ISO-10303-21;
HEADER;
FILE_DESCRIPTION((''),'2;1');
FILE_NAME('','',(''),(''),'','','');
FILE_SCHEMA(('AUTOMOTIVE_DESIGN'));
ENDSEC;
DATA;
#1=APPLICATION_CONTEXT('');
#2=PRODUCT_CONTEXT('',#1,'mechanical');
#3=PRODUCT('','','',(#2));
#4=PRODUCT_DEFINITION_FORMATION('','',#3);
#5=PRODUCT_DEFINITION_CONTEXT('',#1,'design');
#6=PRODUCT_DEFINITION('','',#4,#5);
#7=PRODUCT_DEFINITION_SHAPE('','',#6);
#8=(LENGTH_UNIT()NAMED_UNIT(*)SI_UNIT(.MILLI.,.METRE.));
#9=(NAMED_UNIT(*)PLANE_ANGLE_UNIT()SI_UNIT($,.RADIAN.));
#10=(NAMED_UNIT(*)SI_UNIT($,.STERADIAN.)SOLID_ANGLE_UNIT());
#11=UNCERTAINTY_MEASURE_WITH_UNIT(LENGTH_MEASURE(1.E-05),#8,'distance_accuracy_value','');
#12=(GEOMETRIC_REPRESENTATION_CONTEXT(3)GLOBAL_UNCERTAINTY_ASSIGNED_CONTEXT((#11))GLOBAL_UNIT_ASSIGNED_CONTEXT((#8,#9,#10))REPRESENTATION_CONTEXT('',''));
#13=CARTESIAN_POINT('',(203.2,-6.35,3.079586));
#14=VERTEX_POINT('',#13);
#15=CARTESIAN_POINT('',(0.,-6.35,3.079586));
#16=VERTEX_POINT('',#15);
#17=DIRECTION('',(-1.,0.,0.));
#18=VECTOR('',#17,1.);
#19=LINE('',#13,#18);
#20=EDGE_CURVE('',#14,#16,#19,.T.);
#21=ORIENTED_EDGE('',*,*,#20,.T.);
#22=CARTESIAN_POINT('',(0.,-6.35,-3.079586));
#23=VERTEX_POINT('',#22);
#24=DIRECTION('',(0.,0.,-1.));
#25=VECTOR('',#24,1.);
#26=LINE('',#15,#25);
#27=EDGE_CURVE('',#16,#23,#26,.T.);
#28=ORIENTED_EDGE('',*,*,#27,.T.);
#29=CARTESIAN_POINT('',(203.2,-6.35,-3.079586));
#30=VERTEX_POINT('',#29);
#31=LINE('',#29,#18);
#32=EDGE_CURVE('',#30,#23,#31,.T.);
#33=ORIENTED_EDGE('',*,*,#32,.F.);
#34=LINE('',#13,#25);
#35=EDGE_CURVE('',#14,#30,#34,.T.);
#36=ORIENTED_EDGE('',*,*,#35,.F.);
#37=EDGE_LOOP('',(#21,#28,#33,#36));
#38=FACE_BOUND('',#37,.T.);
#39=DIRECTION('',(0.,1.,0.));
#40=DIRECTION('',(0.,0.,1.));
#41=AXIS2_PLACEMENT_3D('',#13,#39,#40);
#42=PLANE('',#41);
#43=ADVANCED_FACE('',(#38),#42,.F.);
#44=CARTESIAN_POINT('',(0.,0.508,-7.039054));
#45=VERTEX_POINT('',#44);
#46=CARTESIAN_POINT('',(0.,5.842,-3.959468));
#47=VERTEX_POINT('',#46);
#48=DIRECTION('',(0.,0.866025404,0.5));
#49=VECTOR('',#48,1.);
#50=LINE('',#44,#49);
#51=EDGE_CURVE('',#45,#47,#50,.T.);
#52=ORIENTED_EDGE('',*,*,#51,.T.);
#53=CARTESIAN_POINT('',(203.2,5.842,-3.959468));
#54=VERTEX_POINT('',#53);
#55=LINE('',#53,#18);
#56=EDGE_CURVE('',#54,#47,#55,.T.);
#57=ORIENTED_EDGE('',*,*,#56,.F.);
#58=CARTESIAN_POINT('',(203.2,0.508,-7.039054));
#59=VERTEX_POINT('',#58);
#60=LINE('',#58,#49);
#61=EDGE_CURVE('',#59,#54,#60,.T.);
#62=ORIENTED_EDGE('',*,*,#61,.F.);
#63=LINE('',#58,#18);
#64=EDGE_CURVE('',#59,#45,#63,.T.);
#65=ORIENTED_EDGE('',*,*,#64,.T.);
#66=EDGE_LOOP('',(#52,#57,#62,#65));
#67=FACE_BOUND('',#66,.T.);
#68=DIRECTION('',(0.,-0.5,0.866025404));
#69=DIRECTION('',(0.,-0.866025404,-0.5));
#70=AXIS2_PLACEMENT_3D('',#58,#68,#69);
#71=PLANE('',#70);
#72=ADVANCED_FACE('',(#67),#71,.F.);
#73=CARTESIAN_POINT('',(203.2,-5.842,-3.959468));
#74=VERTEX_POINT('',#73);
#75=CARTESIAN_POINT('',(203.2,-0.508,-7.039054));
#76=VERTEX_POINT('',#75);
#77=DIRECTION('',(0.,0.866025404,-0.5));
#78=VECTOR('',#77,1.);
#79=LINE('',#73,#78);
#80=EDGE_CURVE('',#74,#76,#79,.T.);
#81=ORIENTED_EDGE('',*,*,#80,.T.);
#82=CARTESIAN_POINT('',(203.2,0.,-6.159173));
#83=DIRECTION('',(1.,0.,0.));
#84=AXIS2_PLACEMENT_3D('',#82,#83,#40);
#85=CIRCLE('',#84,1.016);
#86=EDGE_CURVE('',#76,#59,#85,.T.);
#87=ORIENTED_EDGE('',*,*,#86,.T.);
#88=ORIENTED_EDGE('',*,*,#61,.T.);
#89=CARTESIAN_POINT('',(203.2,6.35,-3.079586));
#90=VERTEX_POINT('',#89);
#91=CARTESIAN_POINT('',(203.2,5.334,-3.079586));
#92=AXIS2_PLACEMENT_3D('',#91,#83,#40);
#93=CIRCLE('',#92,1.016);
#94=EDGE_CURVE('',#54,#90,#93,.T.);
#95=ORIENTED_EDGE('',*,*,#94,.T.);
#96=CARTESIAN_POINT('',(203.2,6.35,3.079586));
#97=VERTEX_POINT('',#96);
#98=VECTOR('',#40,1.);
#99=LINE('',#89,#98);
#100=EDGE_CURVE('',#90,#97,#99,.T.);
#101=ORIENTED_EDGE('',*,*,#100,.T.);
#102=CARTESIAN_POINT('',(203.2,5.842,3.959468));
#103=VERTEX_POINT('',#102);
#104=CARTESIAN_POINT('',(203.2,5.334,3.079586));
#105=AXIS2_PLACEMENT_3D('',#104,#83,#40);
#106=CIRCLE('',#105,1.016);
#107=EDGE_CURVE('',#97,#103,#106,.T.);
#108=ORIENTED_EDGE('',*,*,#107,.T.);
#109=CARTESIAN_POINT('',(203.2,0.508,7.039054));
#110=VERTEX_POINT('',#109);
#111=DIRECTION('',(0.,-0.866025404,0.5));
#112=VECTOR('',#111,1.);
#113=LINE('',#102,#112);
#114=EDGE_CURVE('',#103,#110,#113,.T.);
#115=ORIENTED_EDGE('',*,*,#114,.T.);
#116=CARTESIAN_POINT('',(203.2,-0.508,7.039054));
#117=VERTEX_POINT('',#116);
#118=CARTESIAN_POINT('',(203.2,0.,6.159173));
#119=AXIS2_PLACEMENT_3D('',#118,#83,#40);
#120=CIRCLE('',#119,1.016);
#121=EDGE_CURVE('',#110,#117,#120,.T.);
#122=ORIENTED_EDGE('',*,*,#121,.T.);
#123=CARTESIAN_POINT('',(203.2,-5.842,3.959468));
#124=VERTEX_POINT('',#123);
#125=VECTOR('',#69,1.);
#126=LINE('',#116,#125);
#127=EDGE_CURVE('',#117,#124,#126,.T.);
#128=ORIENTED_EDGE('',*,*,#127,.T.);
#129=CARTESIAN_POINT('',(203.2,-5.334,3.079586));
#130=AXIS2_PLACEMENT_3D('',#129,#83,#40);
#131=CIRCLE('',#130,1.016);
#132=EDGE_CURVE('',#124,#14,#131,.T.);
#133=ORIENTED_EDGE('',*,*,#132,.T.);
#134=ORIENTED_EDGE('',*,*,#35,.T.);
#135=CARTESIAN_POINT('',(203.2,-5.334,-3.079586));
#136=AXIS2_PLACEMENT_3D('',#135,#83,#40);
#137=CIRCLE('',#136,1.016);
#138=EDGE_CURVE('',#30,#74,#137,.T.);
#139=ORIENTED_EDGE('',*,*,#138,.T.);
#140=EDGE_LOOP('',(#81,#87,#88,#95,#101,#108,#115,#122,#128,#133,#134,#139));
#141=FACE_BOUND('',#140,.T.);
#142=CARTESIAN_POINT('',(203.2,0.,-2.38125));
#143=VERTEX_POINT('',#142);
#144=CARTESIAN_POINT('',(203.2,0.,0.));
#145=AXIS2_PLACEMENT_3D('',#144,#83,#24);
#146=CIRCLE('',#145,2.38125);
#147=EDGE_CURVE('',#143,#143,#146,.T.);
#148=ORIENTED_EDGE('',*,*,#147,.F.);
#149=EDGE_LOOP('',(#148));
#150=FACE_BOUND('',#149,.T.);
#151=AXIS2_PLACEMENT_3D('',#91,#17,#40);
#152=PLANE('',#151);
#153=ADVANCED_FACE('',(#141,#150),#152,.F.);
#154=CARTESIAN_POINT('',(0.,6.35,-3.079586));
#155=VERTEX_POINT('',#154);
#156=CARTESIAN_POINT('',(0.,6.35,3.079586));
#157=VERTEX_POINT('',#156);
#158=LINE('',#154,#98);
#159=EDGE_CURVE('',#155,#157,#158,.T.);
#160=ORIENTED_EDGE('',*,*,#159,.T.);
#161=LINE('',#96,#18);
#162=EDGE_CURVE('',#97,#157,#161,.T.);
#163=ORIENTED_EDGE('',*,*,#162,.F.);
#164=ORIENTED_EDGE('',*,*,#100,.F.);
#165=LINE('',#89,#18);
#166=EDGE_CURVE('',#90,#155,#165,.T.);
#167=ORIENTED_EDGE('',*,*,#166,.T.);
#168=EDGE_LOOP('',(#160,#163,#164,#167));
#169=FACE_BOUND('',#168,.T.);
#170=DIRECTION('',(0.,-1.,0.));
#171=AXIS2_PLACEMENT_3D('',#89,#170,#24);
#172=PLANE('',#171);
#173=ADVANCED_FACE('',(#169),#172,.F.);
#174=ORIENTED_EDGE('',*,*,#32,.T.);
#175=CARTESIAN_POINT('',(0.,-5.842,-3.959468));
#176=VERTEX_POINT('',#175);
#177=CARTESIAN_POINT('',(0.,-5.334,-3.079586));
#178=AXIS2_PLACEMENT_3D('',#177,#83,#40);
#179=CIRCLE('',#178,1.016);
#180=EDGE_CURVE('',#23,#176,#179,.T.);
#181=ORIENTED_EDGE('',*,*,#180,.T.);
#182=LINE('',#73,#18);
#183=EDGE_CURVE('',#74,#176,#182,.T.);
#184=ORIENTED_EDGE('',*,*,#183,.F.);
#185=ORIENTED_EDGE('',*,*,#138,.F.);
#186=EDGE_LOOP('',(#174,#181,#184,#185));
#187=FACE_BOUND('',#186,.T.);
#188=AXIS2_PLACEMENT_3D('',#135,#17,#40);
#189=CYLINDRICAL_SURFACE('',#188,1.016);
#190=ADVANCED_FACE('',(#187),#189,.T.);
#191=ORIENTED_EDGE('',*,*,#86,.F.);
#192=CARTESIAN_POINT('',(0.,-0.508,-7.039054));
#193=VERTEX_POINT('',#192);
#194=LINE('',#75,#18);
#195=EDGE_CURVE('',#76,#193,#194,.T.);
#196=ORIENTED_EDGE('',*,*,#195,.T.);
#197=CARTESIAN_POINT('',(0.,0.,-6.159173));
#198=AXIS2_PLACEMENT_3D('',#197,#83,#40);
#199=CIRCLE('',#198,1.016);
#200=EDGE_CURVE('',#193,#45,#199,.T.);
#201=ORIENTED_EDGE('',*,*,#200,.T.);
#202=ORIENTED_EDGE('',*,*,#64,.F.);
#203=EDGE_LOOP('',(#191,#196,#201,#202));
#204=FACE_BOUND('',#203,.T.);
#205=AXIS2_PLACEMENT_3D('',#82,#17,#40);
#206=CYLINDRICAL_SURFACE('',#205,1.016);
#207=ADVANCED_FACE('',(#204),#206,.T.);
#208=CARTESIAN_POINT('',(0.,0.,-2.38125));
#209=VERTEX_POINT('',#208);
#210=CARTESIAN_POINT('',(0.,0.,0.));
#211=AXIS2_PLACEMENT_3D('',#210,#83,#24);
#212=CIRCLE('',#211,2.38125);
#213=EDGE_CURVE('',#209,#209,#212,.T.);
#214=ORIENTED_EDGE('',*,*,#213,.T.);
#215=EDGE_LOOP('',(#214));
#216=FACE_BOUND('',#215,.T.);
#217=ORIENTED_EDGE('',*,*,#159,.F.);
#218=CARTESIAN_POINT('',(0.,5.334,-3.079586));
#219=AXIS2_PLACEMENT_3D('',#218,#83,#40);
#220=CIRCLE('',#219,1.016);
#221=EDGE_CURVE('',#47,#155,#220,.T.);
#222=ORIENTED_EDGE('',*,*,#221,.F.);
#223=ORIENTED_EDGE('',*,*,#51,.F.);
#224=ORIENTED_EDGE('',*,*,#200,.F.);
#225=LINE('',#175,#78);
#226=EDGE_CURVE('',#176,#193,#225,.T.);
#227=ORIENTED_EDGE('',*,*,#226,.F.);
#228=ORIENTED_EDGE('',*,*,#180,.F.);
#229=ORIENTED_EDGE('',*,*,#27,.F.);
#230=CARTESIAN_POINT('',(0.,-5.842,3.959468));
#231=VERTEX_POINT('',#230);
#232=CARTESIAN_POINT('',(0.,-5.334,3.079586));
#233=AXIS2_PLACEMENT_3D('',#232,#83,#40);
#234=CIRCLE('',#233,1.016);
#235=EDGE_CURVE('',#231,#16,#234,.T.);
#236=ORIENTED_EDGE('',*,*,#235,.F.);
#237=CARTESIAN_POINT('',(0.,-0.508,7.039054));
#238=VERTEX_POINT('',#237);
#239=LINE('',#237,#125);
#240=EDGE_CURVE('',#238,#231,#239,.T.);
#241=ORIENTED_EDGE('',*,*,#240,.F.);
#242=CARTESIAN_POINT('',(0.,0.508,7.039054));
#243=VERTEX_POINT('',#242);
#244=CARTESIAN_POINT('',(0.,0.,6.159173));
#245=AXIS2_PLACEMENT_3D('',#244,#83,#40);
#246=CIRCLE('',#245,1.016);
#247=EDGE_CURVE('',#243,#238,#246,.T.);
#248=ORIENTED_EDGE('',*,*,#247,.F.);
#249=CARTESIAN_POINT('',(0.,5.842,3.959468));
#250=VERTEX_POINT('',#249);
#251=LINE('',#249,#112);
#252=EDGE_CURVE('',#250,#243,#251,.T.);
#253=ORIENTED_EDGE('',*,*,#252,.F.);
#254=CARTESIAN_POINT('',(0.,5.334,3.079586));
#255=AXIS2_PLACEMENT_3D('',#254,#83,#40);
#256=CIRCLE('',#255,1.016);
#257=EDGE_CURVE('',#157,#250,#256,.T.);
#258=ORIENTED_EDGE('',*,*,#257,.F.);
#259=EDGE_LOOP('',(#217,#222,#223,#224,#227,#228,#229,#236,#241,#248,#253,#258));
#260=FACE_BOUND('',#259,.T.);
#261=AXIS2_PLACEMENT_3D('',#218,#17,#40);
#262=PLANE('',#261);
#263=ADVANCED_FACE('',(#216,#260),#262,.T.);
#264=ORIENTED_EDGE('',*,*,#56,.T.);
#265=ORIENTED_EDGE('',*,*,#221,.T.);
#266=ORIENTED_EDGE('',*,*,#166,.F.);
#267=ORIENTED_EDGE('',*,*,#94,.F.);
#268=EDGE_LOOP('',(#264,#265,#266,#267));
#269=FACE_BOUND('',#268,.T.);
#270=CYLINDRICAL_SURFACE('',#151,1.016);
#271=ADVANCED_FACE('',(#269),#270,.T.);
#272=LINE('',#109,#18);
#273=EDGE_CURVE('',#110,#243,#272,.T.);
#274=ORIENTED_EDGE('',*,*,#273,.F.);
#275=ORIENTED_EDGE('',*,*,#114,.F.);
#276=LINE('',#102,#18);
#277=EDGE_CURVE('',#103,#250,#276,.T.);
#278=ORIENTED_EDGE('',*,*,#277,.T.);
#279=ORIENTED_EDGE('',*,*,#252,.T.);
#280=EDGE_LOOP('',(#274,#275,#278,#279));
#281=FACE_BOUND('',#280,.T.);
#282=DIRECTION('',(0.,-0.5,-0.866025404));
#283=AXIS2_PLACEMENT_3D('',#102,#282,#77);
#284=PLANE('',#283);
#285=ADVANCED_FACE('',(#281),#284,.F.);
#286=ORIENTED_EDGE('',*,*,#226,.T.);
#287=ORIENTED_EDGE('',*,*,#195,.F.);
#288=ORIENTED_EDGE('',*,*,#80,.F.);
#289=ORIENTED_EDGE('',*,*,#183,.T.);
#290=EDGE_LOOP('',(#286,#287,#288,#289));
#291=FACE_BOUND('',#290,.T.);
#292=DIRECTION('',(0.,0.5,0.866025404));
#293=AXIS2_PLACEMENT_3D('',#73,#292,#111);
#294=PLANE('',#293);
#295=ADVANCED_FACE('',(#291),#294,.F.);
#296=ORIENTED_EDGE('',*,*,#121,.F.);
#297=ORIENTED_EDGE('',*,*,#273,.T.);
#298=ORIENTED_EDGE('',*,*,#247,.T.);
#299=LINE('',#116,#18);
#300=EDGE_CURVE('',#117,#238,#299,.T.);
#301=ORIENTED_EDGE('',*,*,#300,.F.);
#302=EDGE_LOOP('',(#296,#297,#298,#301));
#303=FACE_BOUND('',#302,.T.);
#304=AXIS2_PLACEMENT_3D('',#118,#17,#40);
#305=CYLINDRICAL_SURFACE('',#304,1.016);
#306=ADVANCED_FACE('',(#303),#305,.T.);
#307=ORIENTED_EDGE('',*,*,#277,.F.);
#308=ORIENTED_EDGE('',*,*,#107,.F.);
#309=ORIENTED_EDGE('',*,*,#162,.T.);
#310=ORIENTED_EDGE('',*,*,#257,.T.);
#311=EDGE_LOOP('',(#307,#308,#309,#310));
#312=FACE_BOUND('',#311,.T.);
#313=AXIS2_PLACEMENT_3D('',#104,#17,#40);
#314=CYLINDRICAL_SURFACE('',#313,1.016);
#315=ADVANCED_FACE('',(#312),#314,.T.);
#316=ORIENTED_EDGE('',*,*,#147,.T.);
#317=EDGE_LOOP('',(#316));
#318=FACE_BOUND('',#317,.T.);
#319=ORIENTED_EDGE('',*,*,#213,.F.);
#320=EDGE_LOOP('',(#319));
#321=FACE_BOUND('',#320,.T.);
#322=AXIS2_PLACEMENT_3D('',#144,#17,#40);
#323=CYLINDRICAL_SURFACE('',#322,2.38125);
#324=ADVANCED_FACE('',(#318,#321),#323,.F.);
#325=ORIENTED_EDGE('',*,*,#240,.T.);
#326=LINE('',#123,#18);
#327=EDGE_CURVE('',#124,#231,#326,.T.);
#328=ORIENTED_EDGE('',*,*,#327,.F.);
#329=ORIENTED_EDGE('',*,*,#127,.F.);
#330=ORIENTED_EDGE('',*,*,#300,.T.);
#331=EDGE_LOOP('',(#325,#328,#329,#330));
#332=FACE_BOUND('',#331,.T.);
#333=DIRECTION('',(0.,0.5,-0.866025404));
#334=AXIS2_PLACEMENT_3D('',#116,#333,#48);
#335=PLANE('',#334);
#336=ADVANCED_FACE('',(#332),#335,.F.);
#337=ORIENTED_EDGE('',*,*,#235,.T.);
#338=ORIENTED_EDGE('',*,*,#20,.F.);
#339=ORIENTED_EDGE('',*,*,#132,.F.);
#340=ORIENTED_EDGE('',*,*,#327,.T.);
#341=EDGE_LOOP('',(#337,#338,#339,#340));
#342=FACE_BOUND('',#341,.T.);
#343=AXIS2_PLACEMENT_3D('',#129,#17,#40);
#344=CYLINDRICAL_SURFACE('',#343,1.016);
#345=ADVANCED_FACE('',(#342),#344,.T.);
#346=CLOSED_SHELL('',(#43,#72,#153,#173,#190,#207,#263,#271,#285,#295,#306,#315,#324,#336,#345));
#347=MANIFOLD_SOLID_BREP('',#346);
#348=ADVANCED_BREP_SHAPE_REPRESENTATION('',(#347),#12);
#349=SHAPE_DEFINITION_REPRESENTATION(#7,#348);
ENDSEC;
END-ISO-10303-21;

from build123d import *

# Parameters (mm, degrees)
SKETCH1_R           = 2.38125
BOSS_EXTRUDE1_DEPTH = 203.2


with BuildPart() as part:
    # Sketch1 → Boss-Extrude1 (new body)
    with BuildSketch(Plane(origin=(0, 0, 0), x_dir=(0, 0, -1), z_dir=(1, 0, 0))):
        with BuildLine():
            Line((7.039054482, 0.508), (3.959468146, 5.842))
            ThreePointArc((3.959468146, 5.842), (3.587586336, 6.21388181), (3.079586336, 6.35))
            Line((3.079586336, 6.35), (-3.079586336, 6.35))
            ThreePointArc((-3.079586336, 6.35), (-3.587586336, 6.21388181), (-3.959468146, 5.842))
            Line((-3.959468146, 5.842), (-7.039054482, 0.508))
            ThreePointArc((-7.039054482, 0.508), (-7.175172672, 0), (-7.039054482, -0.508))
            Line((-7.039054482, -0.508), (-3.959468146, -5.842))
            ThreePointArc((-3.959468146, -5.842), (-3.587586336, -6.21388181), (-3.079586336, -6.35))
            Line((-3.079586336, -6.35), (3.079586336, -6.35))
            ThreePointArc((3.079586336, -6.35), (3.587586336, -6.21388181), (3.959468146, -5.842))
            Line((3.959468146, -5.842), (7.039054482, -0.508))
            ThreePointArc((7.039054482, -0.508), (7.175172672, 0), (7.039054482, 0.508))
        make_face()
        Circle(SKETCH1_R, mode=Mode.SUBTRACT)
    extrude(amount=BOSS_EXTRUDE1_DEPTH)


solid = part.part
